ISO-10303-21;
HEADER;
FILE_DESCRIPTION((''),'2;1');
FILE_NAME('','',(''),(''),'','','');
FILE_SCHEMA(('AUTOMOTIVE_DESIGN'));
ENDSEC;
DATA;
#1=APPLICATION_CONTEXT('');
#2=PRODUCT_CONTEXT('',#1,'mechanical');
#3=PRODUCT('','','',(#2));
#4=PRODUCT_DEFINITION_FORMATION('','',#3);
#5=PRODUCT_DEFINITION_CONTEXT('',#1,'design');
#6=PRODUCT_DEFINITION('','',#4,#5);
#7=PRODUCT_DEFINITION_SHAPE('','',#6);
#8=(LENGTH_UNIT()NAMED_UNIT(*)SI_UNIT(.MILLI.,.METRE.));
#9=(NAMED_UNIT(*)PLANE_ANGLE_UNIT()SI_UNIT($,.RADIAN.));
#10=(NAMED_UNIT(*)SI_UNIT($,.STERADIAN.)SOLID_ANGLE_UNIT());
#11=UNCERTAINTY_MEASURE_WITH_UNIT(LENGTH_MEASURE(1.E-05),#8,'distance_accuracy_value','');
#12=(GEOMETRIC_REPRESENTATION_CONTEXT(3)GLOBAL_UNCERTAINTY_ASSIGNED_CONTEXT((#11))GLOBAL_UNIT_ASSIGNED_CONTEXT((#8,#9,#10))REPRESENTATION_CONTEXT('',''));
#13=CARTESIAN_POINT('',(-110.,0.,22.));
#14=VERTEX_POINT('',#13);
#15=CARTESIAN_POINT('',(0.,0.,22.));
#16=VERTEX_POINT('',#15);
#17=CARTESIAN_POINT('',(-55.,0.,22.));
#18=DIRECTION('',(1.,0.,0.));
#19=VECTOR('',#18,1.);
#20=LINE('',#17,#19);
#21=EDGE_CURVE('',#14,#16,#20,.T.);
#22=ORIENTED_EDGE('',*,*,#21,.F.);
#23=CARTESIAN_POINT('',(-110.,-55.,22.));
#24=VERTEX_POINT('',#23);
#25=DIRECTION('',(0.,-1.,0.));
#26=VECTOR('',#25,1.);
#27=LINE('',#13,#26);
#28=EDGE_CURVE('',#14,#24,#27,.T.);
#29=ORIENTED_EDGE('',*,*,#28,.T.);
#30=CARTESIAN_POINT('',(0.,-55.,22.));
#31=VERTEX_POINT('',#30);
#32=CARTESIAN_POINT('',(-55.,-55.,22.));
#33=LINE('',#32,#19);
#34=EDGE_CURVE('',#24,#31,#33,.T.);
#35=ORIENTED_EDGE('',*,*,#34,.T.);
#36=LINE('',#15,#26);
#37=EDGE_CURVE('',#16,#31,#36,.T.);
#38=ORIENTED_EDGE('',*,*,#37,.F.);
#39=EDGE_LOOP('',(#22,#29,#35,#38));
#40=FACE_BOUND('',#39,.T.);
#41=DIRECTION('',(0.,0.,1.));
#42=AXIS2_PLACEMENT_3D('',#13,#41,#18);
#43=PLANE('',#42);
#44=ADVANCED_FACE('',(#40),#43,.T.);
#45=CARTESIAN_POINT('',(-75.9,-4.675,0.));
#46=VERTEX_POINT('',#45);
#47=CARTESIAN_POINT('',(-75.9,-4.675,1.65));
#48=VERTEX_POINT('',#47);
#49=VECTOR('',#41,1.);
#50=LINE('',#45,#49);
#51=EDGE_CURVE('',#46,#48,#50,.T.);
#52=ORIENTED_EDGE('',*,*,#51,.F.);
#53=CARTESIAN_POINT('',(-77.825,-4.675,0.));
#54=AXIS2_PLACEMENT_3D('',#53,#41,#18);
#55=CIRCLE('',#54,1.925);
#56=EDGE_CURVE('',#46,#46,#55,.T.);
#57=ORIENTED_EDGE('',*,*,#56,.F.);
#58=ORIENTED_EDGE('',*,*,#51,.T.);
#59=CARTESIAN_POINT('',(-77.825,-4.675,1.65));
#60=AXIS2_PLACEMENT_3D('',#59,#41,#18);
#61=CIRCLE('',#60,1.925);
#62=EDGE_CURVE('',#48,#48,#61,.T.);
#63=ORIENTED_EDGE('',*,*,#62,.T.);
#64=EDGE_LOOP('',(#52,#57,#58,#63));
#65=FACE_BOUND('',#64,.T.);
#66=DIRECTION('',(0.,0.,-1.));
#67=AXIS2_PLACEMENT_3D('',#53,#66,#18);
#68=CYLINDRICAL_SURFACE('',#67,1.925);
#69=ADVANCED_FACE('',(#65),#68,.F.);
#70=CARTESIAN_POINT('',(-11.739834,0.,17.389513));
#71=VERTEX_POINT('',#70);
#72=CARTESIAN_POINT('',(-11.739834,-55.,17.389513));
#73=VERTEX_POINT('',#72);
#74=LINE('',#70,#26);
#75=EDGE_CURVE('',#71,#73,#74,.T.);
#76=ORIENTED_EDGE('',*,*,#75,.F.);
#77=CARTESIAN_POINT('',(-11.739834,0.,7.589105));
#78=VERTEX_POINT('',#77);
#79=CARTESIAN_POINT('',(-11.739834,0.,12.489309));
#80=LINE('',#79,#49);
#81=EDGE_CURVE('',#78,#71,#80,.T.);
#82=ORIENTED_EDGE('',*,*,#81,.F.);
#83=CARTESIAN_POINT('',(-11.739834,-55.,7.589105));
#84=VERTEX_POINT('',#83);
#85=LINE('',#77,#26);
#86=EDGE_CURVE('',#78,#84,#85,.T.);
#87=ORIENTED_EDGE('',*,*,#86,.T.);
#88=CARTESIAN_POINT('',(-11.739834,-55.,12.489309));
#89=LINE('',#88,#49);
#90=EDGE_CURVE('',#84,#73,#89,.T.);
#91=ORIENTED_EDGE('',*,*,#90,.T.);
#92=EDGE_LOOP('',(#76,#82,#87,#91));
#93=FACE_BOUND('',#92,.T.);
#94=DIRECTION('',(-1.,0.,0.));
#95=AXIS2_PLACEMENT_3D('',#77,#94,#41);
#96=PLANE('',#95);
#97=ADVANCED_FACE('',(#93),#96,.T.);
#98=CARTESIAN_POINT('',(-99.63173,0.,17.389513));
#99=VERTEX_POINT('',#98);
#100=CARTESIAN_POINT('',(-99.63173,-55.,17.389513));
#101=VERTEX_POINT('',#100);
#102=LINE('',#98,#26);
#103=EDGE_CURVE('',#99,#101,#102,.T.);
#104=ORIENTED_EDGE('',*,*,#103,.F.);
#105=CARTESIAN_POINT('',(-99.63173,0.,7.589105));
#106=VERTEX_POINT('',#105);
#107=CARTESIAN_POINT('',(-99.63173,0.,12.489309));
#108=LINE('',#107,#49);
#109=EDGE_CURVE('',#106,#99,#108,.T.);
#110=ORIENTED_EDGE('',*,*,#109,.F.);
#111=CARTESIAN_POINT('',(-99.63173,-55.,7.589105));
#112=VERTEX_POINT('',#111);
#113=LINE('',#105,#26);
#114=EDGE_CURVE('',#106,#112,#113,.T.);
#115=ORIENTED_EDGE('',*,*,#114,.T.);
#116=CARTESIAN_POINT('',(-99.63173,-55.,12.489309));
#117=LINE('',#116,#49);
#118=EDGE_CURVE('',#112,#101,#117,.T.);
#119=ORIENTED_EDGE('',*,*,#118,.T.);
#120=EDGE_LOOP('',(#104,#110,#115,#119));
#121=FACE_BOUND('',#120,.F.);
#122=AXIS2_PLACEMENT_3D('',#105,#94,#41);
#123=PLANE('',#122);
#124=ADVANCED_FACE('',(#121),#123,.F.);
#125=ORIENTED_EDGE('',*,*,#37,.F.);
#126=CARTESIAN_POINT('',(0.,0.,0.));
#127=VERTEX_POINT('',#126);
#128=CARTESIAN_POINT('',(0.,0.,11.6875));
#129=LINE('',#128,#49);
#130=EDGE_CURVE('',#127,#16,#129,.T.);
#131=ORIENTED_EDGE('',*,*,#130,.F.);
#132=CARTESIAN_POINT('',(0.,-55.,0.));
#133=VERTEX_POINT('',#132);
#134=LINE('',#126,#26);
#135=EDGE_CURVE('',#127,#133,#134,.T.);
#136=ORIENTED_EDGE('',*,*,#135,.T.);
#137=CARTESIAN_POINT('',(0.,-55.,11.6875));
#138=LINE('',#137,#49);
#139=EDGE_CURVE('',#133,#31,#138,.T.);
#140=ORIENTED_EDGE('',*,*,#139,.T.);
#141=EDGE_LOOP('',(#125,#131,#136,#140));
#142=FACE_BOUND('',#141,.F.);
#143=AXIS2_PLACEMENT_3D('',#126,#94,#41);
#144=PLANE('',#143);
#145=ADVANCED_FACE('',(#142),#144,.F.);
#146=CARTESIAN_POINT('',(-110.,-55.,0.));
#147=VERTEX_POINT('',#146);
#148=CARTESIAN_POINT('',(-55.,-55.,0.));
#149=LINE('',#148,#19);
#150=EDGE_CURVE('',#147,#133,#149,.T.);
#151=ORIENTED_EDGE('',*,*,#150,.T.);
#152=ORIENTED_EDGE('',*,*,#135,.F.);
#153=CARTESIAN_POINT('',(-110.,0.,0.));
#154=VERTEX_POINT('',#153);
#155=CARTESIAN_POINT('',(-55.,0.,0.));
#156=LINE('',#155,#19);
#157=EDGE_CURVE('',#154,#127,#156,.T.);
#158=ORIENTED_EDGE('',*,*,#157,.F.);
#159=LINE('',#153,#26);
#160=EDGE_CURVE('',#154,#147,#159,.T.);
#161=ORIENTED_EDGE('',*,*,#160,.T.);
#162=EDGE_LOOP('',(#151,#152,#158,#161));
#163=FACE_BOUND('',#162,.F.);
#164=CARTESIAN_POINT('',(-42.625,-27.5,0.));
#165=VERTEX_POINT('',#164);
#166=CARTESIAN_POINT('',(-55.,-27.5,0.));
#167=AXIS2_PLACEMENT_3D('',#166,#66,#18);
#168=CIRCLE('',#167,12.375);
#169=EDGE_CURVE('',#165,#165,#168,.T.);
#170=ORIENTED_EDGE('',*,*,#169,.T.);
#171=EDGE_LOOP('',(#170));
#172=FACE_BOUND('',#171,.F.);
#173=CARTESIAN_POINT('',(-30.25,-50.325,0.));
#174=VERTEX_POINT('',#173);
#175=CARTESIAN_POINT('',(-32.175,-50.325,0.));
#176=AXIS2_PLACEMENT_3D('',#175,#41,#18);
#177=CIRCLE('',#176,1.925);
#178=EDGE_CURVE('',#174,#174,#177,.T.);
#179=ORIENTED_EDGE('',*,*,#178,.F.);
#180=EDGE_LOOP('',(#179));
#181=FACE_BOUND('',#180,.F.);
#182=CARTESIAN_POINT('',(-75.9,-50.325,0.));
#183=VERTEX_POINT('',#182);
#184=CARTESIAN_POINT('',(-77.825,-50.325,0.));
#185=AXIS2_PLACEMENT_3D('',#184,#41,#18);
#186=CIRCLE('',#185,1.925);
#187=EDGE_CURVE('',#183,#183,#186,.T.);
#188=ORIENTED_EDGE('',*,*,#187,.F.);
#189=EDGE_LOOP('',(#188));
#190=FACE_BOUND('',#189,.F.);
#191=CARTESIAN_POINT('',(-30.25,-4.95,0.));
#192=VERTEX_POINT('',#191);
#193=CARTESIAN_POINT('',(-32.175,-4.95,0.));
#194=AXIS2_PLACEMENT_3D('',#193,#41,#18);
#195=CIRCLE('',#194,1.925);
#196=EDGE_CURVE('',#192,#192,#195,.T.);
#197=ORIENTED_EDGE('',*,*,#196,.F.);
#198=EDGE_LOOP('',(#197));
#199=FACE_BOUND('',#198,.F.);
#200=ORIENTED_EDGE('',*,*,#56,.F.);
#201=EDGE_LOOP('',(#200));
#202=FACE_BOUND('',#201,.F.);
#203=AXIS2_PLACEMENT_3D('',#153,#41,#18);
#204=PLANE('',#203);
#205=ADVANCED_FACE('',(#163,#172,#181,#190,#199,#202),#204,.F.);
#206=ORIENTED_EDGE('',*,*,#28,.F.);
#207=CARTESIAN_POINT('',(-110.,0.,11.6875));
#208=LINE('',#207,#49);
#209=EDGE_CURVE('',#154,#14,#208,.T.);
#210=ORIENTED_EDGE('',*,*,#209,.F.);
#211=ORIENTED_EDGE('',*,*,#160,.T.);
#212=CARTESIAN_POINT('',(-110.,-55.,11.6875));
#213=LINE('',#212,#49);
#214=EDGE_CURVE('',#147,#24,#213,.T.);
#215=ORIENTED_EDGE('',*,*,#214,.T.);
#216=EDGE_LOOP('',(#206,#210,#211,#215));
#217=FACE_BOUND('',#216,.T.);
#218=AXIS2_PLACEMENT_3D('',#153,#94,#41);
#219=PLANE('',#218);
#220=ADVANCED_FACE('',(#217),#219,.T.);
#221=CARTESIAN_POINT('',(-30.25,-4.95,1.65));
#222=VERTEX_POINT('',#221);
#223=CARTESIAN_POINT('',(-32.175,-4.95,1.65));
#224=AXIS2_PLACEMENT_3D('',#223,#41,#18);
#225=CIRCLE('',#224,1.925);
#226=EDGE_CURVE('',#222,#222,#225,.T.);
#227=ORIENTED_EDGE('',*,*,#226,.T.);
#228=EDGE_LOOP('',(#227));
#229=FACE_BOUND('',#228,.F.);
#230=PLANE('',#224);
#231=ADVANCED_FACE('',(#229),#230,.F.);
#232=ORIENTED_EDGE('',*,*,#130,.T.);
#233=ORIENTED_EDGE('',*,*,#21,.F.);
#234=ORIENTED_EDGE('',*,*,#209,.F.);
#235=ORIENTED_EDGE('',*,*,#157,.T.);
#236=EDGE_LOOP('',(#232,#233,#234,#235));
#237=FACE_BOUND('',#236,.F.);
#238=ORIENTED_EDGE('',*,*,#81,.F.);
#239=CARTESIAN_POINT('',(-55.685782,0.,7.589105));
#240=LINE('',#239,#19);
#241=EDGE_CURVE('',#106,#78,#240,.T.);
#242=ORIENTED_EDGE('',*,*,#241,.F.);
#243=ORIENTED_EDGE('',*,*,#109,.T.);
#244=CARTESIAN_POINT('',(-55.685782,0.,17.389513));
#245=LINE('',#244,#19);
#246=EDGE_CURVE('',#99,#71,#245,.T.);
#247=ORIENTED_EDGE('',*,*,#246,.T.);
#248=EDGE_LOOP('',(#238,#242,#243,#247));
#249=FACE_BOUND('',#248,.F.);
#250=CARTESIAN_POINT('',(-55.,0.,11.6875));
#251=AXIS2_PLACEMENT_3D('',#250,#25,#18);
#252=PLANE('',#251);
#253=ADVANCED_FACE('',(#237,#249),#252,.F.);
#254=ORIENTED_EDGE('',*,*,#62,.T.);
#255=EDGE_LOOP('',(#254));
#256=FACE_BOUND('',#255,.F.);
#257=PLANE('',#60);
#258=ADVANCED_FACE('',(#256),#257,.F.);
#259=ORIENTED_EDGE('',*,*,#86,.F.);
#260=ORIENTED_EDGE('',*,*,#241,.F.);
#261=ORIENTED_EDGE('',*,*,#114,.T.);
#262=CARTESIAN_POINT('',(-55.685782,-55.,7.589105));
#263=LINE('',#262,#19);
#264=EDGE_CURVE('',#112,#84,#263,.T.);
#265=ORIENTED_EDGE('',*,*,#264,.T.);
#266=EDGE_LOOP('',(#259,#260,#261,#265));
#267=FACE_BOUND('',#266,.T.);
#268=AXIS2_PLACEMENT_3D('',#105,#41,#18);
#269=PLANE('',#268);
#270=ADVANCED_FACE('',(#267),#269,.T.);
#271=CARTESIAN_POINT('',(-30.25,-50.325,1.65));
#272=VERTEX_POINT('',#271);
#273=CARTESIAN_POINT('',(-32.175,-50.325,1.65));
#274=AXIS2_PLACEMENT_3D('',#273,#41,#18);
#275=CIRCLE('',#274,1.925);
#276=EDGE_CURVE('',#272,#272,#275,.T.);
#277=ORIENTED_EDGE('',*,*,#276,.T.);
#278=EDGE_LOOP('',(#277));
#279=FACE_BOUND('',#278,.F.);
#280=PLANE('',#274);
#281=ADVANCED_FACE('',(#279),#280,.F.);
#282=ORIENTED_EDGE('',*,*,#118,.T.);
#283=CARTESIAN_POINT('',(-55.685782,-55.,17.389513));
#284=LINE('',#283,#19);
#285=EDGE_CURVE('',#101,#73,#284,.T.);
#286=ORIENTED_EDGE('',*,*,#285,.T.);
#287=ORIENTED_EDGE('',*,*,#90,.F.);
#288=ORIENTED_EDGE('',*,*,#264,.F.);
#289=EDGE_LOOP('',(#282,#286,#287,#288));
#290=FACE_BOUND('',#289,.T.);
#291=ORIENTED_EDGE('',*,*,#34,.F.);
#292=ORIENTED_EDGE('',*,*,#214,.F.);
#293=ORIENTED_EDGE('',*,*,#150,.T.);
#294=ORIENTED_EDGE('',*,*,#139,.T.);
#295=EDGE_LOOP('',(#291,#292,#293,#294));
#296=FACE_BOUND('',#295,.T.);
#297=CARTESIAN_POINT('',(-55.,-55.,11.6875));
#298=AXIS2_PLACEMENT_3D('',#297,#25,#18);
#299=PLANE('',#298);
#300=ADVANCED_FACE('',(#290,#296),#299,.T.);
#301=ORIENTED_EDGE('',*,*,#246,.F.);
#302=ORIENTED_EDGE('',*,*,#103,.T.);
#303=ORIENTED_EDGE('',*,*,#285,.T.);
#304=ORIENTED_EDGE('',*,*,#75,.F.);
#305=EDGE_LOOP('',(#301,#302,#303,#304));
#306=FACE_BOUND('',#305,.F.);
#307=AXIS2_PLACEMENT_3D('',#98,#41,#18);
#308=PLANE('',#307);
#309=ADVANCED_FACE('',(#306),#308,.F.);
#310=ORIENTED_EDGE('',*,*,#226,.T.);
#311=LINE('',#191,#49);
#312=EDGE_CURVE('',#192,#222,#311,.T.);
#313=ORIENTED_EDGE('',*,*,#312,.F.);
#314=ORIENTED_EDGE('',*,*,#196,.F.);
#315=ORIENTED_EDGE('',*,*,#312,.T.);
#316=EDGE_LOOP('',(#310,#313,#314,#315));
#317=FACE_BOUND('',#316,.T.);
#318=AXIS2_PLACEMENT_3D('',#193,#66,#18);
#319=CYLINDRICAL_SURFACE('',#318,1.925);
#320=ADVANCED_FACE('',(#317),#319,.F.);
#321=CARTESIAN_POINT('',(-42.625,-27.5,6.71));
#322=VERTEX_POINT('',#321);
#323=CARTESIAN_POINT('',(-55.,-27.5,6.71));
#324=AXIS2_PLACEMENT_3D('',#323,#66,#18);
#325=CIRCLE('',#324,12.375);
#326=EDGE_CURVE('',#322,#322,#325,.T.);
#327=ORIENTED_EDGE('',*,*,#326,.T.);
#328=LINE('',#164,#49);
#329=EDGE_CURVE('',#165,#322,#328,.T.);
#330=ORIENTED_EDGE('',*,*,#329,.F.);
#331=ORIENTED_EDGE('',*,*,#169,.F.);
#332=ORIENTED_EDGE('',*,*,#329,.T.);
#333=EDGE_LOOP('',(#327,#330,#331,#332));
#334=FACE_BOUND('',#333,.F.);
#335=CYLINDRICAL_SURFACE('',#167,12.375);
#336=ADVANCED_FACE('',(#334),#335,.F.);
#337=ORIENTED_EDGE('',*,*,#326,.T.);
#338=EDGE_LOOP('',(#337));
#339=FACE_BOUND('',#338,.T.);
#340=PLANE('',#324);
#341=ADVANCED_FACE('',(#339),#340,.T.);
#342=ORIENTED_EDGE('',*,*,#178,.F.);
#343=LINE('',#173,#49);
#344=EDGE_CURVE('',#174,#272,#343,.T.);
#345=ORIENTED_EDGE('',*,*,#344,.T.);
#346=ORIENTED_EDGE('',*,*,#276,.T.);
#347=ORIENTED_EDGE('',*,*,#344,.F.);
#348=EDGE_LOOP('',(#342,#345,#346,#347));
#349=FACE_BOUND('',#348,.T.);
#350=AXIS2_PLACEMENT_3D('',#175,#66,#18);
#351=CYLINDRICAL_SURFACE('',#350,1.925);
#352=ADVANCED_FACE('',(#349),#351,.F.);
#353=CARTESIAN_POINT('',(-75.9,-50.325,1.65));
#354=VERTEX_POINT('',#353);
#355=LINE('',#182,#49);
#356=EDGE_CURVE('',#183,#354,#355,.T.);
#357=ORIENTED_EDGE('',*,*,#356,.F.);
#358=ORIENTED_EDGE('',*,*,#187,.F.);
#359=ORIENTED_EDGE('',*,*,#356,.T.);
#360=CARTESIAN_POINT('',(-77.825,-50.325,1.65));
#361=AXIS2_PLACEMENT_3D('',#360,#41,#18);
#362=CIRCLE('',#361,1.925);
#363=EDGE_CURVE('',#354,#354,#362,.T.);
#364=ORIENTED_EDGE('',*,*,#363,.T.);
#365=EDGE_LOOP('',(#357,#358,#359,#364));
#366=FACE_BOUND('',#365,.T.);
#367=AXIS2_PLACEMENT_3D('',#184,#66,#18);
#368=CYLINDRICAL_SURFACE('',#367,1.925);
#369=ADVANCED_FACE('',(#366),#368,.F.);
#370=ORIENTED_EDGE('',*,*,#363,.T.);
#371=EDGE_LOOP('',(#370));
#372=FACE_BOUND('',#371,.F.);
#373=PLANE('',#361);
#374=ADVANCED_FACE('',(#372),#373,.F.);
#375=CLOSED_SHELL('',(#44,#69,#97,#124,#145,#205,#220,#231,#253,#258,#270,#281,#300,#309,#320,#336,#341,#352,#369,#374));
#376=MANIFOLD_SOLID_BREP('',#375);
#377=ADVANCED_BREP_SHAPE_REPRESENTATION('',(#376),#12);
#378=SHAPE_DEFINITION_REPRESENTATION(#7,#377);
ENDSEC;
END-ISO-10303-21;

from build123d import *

# Parameters (mm, degrees)
F0_W     = 2000
F0_H     = 425
F0_W_2   = 1598.0344712734
F0_H_2   = 178.1892329454
F1_DEPTH = 1000
F2_DEPTH = 25
F3_R     = 35
F4_DEPTH = 30
F5_R     = 225
F6_DEPTH = 122
F7_SCALE = 0.055


with BuildPart() as f1:
    # F0 (on Front) → F1 (new body)
    with BuildSketch(Plane.XZ):
        with Locations((-1000, 212.5)):
            Rectangle(F0_W, F0_H)
        with Locations((-1012.4687701464, 227.0783409476)):
            Rectangle(F0_W_2, F0_H_2, mode=Mode.SUBTRACT)
    extrude(amount=F1_DEPTH)

    # F2 (cut): a face of the model
    f2_faces = [f1.faces().sort_by_distance(p)[0] for p in [
        (-1000, -500, 425),
    ]]
    extrude(f2_faces, amount=-F2_DEPTH, mode=Mode.SUBTRACT)

    # F3 (on Top) → F4 (cut)
    with BuildSketch(Plane.XY):
        with Locations((-1415, -85)):
            Circle(F3_R)
        with Locations((-1415, -915)):
            Circle(F3_R)
        with Locations((-585, -915)):
            Circle(F3_R)
        with Locations((-585, -90)):
            Circle(F3_R)
    extrude(amount=F4_DEPTH, mode=Mode.SUBTRACT)

    # F5 (on face) → F6 (cut)
    with BuildSketch(Plane(origin=(0, 0, 0), x_dir=(1, 0, 0), z_dir=(0, 0, -1))):
        with Locations((-1000, 500)):
            Circle(F5_R)
    extrude(amount=-F6_DEPTH, mode=Mode.SUBTRACT)


with BuildPart() as f1_1:
    # F7: moved
    add(f1.part.scale(F7_SCALE))


solid = f1_1.part
